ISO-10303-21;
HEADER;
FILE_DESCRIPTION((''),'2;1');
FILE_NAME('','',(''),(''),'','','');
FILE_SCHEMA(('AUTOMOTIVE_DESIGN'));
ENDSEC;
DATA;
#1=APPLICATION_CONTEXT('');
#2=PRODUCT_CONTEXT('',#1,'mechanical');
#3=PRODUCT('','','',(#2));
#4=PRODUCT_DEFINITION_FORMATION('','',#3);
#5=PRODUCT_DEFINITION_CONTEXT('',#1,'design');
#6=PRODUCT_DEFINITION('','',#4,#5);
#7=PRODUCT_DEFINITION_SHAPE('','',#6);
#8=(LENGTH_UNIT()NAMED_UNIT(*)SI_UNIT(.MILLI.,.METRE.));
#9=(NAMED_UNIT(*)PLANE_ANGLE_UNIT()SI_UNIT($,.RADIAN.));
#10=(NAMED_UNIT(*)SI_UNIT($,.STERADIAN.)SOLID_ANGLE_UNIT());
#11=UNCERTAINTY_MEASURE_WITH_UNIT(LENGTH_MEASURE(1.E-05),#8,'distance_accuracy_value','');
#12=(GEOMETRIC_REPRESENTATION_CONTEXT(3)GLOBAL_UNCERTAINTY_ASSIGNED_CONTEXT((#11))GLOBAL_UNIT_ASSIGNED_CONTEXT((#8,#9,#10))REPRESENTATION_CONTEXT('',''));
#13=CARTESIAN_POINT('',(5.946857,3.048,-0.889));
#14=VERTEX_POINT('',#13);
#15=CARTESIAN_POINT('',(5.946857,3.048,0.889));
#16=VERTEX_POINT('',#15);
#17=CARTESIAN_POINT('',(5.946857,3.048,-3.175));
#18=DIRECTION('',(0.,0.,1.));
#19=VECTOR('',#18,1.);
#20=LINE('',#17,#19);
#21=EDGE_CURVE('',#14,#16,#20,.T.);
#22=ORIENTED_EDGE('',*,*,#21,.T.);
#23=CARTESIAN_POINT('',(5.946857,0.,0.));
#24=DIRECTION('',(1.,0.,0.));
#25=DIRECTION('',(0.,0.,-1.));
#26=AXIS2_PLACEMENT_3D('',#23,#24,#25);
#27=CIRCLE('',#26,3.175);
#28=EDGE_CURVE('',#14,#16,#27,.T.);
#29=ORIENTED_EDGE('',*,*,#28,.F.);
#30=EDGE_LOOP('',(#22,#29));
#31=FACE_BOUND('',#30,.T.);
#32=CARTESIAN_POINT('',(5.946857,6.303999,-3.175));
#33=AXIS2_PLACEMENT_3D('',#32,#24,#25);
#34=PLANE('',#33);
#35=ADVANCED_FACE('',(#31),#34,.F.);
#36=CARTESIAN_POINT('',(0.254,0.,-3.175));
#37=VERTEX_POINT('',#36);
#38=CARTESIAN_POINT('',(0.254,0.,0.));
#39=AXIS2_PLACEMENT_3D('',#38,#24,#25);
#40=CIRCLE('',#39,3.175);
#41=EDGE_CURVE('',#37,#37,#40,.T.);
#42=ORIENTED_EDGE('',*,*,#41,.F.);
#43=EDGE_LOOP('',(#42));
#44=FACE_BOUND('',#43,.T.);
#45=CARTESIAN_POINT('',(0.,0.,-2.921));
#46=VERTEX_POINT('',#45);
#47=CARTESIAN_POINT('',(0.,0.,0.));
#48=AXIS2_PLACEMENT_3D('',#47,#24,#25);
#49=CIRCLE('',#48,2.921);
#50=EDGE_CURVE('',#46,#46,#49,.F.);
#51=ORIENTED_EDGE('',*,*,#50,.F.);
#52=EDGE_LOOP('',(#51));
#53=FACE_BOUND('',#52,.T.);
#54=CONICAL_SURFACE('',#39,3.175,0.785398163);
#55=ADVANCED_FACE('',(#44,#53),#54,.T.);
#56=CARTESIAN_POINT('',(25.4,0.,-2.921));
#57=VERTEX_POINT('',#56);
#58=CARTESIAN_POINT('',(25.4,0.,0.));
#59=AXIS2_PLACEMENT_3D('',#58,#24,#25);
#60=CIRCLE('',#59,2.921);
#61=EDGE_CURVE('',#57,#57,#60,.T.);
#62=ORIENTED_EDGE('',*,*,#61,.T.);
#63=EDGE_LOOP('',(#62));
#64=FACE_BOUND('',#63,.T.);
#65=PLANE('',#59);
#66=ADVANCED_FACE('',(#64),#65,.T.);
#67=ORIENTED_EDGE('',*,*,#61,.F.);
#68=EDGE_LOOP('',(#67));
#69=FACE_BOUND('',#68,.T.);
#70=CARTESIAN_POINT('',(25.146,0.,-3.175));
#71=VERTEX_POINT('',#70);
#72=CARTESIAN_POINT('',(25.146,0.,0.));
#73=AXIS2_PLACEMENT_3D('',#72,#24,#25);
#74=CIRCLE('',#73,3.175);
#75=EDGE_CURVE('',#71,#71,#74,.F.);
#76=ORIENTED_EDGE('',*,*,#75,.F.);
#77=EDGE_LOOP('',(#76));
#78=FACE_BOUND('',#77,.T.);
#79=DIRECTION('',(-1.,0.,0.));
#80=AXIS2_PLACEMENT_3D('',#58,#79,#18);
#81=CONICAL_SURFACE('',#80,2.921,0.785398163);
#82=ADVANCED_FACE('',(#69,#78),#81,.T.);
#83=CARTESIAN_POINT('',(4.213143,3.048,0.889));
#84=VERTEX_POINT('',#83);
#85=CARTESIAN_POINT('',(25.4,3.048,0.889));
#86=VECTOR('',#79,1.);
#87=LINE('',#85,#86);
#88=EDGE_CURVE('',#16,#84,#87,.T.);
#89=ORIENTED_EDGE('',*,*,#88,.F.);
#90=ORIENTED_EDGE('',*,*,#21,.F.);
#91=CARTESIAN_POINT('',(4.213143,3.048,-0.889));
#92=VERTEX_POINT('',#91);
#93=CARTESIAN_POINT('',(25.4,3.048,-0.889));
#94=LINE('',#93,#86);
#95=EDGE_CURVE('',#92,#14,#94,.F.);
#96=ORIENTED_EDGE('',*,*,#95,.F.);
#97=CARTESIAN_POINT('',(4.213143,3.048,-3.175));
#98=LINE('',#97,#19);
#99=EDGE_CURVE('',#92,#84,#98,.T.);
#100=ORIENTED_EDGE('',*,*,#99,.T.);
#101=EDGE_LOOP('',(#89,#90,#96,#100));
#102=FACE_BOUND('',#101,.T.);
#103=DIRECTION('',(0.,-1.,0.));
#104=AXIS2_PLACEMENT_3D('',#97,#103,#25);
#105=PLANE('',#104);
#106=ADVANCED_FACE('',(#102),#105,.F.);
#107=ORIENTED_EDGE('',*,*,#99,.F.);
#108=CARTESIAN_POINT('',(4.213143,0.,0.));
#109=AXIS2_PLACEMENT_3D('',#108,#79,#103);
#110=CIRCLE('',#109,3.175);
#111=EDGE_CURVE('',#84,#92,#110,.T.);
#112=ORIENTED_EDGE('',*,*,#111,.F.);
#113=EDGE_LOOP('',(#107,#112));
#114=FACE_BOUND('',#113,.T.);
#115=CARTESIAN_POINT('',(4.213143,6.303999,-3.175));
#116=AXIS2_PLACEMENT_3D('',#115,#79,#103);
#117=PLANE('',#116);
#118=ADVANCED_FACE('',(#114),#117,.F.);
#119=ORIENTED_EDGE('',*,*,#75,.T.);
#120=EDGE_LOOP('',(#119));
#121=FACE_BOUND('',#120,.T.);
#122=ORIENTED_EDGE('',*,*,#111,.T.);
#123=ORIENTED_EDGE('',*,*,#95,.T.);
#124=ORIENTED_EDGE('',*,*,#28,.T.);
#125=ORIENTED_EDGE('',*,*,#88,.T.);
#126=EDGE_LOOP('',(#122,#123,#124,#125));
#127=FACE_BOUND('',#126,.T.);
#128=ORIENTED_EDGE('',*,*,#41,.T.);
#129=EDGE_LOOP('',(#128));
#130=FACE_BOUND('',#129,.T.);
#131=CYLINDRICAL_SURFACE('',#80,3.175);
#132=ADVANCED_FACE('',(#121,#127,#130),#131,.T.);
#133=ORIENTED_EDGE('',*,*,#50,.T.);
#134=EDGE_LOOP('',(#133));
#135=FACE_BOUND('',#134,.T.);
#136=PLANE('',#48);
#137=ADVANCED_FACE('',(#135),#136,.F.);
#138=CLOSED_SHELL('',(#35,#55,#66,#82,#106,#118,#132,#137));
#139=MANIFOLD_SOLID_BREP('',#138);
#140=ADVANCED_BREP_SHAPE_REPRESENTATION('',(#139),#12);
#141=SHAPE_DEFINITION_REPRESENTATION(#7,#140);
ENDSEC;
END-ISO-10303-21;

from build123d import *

# Parameters (mm, degrees)
SKETCH2_R               = 3.175
BOSS_EXTRUDE1_DEPTH     = 25.4
CHAMFER1_SIZE           = 0.254
SKETCH3_W               = 1.733713748
SKETCH3_H               = 3.25599899
CUT_EXTRUDE1_DEPTH      = 4.175
CUT_EXTRUDE1_DEPTH_BACK = 4.175


with BuildPart() as part:
    # Sketch2 → Boss-Extrude1 (new body)
    with BuildSketch(Plane(origin=(0, 0, 0), x_dir=(0, 0, -1), z_dir=(1, 0, 0))):
        Circle(SKETCH2_R)
    extrude(amount=BOSS_EXTRUDE1_DEPTH)

    # Chamfer1
    chamfer1_edges = [part.edges().sort_by_distance(p)[0] for p in [
        (0, 0, 3.175),
        (25.4, 0, 3.175),
    ]]
    chamfer(chamfer1_edges, length=CHAMFER1_SIZE)

    # Sketch3 → Cut-Extrude1 (cut, two sides)
    with BuildSketch(Plane.XY) as cut_extrude1_sk:
        with Locations((5.08, 4.675999495)):
            Rectangle(SKETCH3_W, SKETCH3_H)
    extrude(amount=CUT_EXTRUDE1_DEPTH, mode=Mode.SUBTRACT)
    extrude(cut_extrude1_sk.sketch, amount=-CUT_EXTRUDE1_DEPTH_BACK, mode=Mode.SUBTRACT)


solid = part.part
